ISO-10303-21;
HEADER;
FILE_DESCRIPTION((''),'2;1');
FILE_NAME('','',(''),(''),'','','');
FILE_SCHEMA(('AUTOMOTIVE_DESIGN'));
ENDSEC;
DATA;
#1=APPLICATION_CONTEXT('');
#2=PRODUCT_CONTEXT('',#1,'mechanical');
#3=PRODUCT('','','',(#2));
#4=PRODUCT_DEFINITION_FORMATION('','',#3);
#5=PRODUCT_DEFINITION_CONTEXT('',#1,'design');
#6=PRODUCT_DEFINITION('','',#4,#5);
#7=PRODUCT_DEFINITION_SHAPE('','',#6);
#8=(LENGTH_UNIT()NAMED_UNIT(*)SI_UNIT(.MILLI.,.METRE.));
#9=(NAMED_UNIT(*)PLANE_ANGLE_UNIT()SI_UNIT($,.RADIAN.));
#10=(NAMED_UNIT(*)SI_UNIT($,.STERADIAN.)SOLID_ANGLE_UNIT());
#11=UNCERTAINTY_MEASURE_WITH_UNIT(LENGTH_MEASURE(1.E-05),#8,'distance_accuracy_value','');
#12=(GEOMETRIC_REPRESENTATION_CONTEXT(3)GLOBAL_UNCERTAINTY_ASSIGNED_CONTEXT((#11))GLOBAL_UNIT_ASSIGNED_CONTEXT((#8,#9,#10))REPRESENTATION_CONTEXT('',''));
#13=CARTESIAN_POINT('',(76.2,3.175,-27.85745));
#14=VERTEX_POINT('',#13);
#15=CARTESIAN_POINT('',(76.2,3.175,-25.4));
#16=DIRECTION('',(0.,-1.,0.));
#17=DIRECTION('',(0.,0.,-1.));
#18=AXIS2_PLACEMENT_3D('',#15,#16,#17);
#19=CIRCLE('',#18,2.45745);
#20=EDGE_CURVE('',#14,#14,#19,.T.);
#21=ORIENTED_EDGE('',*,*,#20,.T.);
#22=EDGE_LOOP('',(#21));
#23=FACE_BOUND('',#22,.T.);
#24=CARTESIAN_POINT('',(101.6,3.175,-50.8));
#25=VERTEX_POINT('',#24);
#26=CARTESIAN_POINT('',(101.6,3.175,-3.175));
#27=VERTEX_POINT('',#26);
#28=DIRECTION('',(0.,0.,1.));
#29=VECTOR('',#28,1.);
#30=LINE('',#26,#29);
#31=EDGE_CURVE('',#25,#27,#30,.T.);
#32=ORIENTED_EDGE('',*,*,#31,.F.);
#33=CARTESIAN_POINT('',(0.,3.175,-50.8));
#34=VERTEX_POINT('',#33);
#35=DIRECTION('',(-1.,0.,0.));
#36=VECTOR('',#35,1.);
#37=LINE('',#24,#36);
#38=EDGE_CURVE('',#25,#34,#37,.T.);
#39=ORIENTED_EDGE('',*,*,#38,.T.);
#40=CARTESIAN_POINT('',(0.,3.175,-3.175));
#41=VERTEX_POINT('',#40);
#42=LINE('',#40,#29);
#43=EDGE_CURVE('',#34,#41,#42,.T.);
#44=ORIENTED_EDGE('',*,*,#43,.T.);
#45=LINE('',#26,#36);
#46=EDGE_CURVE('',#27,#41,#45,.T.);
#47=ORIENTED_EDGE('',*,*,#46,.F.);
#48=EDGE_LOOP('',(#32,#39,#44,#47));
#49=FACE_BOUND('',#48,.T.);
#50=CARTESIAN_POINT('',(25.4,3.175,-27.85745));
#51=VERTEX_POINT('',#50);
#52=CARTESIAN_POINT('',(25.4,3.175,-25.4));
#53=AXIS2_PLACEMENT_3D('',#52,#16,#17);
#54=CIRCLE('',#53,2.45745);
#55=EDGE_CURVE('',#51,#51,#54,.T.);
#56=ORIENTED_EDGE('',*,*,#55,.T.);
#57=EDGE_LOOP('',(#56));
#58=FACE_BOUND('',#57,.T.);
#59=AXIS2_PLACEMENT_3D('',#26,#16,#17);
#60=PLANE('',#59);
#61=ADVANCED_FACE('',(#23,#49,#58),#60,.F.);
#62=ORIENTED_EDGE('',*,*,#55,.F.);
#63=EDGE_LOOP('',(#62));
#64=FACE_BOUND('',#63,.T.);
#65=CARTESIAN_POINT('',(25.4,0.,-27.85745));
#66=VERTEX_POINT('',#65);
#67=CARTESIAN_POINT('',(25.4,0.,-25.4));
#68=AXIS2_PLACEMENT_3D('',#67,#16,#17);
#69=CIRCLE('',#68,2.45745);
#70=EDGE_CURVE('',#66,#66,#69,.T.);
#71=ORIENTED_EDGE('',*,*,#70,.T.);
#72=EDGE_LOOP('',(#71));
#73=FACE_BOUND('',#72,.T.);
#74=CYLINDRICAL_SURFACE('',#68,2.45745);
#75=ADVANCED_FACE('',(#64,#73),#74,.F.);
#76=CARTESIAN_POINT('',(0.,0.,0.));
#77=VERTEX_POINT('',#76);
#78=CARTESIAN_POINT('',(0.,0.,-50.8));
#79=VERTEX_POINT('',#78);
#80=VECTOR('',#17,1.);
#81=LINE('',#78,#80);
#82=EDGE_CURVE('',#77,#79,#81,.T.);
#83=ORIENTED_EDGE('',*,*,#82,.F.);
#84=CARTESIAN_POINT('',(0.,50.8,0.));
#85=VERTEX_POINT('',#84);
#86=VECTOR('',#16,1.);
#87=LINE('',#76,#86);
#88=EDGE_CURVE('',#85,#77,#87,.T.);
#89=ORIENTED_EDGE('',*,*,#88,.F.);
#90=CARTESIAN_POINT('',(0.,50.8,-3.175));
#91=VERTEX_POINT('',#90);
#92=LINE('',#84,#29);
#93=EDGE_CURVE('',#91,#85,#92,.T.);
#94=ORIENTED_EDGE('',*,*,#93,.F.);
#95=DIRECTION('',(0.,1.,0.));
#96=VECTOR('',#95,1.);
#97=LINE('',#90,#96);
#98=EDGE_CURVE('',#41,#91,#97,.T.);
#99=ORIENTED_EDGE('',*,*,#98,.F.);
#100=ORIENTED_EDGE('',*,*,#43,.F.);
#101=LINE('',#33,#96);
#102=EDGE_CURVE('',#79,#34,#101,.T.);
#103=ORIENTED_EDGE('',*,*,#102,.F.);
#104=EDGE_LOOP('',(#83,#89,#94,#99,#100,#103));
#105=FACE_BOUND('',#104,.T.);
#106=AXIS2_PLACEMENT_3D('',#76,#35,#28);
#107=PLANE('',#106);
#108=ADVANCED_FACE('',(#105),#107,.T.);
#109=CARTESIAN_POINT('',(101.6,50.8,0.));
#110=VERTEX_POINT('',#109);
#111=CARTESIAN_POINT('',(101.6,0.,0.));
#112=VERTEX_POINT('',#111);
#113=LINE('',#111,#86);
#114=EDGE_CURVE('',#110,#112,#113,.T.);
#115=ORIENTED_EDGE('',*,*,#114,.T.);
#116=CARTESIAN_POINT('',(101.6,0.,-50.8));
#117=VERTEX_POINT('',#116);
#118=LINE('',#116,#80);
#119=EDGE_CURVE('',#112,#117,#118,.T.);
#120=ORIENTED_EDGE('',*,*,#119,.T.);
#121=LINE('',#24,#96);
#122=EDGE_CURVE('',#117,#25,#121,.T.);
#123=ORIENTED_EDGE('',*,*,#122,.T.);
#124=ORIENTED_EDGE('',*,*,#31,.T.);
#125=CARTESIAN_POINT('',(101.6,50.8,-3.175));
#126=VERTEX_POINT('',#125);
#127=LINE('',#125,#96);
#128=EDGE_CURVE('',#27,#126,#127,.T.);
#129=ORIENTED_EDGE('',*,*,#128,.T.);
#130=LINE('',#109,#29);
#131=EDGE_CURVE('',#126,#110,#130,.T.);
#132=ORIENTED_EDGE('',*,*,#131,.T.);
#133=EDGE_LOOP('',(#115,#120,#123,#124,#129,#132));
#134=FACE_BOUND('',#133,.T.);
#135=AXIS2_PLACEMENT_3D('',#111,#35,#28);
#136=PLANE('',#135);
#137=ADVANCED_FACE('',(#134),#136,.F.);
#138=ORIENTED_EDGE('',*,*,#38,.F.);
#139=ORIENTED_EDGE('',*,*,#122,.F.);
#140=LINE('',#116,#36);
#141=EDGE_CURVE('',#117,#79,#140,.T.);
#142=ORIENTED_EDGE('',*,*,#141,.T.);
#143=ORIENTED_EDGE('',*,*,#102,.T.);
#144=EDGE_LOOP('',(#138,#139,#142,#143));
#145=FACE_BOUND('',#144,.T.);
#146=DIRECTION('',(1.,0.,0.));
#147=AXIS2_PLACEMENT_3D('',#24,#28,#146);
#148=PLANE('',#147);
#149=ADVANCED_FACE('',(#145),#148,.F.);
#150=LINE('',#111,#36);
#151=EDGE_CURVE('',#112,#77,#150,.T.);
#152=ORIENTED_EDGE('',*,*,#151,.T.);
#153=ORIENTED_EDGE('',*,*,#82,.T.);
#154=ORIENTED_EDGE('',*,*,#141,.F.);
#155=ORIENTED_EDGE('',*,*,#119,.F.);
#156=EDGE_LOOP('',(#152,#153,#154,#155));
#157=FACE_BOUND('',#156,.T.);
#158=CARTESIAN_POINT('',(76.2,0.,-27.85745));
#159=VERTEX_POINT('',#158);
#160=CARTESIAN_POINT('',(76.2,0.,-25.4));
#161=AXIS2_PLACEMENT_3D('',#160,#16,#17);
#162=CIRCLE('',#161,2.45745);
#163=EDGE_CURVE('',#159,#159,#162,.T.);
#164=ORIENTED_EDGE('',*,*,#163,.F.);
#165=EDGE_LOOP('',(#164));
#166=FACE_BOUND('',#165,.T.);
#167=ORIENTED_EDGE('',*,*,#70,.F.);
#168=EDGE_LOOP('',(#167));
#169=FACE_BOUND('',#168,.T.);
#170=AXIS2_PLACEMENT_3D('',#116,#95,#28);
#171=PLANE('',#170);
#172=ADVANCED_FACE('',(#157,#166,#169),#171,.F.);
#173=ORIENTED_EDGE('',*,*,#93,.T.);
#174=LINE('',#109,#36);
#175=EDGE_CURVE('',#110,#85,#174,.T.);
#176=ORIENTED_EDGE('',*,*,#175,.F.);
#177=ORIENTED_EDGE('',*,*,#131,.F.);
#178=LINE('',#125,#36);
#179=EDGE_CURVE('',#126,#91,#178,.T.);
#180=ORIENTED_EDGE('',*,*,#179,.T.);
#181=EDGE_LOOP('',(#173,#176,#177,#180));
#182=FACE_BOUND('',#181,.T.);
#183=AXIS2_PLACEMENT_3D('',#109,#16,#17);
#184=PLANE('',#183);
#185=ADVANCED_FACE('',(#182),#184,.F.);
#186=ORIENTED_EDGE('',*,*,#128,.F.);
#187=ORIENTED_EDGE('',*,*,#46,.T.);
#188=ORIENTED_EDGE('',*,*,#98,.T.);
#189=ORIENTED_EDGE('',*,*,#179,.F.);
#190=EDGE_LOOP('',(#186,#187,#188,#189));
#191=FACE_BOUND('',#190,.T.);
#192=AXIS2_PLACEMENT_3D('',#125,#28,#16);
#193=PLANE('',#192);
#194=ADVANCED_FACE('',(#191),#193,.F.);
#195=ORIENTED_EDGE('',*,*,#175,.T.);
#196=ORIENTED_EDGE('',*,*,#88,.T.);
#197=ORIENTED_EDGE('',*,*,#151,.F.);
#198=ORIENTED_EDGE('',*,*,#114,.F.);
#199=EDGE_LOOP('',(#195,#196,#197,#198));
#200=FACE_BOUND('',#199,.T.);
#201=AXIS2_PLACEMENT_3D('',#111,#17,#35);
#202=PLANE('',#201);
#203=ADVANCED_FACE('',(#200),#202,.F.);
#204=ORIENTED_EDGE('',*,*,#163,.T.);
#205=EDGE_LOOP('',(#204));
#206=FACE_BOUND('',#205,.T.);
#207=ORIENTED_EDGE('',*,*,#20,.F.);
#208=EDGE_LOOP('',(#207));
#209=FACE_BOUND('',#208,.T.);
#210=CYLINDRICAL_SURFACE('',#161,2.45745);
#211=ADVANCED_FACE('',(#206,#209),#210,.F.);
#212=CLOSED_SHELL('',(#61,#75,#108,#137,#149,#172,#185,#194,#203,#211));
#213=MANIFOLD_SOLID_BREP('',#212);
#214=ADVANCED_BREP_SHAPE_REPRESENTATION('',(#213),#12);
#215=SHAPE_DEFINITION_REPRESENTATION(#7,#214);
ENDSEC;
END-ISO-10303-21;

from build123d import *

# Parameters (mm, degrees)
BOSS_EXTRUDE1_DEPTH          = 101.6
F_10_0_1935_DIAMETER_HOLE1_D = 4.9149


with BuildPart() as part:
    # Sketch1 → Boss-Extrude1 (new body)
    with BuildSketch(Plane(origin=(0, 0, 0), x_dir=(0, 0, -1), z_dir=(1, 0, 0))):
        Polygon((0, 0), (0, 50.8), (3.175, 50.8), (3.175, 3.175), (50.8, 3.175), (50.8, 0), align=None)
    extrude(amount=BOSS_EXTRUDE1_DEPTH)

    # #10 (0.1935) Diameter Hole1 (through all)
    with Locations(Plane(origin=(0, 0, 0), x_dir=(-1, 0, 0), z_dir=(0, -1, 0))):
        with Locations((-76.2, 25.4), (-25.4, 25.4)):
            Hole(F_10_0_1935_DIAMETER_HOLE1_D / 2)


solid = part.part
